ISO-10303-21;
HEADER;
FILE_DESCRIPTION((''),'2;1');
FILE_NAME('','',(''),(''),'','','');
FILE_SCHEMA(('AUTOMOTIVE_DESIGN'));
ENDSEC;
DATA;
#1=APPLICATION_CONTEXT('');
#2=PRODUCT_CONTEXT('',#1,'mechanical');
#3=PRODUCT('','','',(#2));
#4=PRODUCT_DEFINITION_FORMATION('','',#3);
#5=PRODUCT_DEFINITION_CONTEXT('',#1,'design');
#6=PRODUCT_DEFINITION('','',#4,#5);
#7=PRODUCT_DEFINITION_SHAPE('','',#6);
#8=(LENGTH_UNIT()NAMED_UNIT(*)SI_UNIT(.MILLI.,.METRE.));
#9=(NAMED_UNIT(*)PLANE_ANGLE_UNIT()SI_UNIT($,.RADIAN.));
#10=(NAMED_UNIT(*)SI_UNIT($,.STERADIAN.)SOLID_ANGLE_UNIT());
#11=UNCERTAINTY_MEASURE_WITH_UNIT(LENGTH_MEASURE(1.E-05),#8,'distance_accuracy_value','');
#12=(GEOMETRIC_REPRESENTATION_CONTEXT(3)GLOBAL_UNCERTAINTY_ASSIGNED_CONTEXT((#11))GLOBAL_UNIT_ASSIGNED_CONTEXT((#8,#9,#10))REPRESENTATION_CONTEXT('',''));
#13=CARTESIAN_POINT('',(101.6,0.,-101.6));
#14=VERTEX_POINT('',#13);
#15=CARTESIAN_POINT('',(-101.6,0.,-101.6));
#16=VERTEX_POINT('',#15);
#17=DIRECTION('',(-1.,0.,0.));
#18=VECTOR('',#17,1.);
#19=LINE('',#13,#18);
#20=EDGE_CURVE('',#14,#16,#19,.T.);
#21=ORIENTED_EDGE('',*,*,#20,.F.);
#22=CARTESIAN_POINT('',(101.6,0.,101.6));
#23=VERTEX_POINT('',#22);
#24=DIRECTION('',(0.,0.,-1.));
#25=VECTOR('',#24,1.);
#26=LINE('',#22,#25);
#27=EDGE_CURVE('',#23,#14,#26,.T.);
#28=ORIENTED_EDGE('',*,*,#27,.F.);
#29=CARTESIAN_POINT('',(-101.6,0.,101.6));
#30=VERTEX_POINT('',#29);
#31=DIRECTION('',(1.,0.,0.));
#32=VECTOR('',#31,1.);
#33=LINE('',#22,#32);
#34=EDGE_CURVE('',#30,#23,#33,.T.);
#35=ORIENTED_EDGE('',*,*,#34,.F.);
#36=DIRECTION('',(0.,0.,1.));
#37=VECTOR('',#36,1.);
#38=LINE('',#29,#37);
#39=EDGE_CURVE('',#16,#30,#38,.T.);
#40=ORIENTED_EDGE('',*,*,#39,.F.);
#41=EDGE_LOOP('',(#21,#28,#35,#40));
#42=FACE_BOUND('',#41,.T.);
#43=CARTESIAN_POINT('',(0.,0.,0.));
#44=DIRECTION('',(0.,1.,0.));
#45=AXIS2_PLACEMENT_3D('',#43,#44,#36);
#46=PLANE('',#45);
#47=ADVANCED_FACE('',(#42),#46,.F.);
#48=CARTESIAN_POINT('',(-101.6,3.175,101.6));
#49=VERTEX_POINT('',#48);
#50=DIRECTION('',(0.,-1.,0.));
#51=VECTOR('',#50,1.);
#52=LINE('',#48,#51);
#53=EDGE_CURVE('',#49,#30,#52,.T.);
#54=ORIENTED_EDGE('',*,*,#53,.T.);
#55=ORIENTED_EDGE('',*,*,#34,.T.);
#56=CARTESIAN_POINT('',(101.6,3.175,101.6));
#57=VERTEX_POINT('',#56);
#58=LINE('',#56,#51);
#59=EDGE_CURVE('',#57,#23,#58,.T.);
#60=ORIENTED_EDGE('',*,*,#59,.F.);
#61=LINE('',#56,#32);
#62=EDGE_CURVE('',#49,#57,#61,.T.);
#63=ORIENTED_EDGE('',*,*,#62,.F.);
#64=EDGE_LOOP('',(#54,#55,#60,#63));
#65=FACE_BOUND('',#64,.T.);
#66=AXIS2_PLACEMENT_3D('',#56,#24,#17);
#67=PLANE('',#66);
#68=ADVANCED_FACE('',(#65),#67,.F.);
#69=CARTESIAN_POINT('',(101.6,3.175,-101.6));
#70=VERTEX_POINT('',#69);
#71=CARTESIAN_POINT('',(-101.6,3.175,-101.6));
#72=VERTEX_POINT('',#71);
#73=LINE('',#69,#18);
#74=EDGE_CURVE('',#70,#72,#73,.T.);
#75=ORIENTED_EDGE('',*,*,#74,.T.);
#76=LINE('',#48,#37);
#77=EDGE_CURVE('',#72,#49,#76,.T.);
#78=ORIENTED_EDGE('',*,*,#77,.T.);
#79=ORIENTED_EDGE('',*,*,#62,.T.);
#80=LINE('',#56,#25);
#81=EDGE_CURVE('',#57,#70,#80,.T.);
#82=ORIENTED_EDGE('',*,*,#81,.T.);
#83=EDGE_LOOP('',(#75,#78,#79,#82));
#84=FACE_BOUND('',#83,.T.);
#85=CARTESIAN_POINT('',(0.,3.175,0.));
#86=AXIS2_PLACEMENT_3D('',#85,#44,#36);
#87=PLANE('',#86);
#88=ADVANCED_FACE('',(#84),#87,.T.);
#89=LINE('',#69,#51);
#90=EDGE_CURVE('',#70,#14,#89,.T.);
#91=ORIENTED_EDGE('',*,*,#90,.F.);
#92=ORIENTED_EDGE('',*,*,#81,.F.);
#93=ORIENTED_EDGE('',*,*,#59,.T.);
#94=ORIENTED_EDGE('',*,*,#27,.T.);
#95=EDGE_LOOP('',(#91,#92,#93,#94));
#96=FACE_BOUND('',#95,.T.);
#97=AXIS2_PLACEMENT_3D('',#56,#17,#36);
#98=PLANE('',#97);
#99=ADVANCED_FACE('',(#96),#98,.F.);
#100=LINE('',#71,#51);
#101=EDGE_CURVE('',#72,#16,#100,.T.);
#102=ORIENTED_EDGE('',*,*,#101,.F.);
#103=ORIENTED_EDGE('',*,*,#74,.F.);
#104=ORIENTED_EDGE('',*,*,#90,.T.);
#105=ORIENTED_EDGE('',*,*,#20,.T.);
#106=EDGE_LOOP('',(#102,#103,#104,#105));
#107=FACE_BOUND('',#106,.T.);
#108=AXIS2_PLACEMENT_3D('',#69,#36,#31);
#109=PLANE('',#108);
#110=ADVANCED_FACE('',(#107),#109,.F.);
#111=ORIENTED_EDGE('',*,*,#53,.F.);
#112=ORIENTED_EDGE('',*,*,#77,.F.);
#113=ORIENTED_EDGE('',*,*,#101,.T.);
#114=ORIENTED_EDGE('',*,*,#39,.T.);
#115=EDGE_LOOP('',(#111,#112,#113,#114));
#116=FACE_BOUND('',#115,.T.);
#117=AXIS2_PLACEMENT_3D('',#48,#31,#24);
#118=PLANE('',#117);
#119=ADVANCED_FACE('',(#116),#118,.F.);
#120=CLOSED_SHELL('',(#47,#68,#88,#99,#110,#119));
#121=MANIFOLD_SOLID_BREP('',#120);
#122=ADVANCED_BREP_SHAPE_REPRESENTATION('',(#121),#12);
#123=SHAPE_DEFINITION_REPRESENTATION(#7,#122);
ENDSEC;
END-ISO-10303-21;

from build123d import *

# Parameters (mm, degrees)
SKETCH1_W           = 203.2
SKETCH1_H           = 203.2
BOSS_EXTRUDE1_DEPTH = 3.175


with BuildPart() as part:
    # Sketch1 → Boss-Extrude1 (new body)
    with BuildSketch(Plane(origin=(0, 0, 0), x_dir=(1, 0, 0), z_dir=(0, 1, 0))):
        Rectangle(SKETCH1_W, SKETCH1_H)
    extrude(amount=BOSS_EXTRUDE1_DEPTH)


solid = part.part
